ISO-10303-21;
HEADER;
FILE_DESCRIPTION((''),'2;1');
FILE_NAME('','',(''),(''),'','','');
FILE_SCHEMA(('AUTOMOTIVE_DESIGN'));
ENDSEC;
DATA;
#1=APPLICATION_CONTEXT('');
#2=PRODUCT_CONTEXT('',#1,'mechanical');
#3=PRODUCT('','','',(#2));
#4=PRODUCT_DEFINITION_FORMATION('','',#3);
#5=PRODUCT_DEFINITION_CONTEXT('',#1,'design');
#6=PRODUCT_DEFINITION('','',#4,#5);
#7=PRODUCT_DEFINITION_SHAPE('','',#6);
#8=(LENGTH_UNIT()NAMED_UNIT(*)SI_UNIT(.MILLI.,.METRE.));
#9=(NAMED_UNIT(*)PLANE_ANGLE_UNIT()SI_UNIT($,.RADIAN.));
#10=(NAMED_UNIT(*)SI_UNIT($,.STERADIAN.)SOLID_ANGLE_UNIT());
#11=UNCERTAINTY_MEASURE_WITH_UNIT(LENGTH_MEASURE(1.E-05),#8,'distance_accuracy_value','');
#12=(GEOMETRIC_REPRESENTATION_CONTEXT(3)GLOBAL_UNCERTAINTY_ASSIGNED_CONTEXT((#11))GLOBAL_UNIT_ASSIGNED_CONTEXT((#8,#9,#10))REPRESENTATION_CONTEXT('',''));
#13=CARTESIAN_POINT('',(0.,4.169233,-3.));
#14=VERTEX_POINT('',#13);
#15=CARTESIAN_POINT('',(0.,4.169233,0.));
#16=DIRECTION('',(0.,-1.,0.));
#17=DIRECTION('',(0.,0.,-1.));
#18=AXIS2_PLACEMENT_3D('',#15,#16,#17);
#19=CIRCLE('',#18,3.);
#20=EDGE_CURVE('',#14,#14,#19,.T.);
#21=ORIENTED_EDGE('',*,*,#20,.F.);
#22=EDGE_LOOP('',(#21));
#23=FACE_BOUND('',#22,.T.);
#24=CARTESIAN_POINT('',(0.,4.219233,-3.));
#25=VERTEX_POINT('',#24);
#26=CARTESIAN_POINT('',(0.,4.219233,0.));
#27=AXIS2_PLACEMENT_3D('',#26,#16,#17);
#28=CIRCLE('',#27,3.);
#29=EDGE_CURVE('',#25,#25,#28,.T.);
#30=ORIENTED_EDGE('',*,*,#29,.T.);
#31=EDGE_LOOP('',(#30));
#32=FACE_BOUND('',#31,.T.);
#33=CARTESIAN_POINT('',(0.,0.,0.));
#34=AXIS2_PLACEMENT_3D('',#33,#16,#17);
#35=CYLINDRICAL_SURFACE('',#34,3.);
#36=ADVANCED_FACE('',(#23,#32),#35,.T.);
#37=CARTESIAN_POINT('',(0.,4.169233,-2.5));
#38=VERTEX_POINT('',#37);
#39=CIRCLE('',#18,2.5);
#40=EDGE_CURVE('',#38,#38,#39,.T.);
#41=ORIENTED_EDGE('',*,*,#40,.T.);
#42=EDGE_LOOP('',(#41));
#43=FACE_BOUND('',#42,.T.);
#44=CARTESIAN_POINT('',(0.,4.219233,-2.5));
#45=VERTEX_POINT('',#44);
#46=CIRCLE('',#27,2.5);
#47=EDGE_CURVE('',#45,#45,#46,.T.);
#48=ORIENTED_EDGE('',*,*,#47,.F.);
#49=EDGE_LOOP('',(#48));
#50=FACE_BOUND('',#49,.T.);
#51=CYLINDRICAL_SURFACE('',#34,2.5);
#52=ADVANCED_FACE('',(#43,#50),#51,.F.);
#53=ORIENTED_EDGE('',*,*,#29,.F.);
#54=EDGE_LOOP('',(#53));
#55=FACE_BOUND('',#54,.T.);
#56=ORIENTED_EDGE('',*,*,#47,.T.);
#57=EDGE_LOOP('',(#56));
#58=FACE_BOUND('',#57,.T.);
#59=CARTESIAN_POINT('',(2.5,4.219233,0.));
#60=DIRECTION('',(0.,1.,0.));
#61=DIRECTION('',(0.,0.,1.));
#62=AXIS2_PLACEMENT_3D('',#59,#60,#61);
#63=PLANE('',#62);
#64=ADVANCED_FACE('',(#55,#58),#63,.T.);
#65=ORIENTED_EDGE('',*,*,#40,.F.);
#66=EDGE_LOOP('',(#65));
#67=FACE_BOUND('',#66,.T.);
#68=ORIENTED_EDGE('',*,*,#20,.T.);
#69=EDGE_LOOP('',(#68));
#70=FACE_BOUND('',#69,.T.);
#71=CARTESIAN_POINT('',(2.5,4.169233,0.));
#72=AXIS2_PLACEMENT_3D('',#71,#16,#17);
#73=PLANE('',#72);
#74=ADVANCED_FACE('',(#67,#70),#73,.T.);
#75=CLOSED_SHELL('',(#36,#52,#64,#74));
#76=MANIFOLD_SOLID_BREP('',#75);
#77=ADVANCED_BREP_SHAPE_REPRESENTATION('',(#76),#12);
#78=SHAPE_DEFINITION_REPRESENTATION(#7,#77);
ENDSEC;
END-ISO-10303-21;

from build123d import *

# Parameters (mm, degrees)
SKETCH1_W = 0.5
SKETCH1_H = 0.05


with BuildPart() as part:
    # Sketch1 → Revolve1 (revolve)
    with BuildSketch(Plane.XY, mode=Mode.PRIVATE) as revolve1_sk:
        with Locations((2.75, 4.194232651)):
            Rectangle(SKETCH1_W, SKETCH1_H)
    revolve(revolve1_sk.sketch.rotate(Axis((0, 0, 0), (0, 1, 0)), 90), axis=Axis((0, 0, 0), (0, 1, 0)))


solid = part.part
